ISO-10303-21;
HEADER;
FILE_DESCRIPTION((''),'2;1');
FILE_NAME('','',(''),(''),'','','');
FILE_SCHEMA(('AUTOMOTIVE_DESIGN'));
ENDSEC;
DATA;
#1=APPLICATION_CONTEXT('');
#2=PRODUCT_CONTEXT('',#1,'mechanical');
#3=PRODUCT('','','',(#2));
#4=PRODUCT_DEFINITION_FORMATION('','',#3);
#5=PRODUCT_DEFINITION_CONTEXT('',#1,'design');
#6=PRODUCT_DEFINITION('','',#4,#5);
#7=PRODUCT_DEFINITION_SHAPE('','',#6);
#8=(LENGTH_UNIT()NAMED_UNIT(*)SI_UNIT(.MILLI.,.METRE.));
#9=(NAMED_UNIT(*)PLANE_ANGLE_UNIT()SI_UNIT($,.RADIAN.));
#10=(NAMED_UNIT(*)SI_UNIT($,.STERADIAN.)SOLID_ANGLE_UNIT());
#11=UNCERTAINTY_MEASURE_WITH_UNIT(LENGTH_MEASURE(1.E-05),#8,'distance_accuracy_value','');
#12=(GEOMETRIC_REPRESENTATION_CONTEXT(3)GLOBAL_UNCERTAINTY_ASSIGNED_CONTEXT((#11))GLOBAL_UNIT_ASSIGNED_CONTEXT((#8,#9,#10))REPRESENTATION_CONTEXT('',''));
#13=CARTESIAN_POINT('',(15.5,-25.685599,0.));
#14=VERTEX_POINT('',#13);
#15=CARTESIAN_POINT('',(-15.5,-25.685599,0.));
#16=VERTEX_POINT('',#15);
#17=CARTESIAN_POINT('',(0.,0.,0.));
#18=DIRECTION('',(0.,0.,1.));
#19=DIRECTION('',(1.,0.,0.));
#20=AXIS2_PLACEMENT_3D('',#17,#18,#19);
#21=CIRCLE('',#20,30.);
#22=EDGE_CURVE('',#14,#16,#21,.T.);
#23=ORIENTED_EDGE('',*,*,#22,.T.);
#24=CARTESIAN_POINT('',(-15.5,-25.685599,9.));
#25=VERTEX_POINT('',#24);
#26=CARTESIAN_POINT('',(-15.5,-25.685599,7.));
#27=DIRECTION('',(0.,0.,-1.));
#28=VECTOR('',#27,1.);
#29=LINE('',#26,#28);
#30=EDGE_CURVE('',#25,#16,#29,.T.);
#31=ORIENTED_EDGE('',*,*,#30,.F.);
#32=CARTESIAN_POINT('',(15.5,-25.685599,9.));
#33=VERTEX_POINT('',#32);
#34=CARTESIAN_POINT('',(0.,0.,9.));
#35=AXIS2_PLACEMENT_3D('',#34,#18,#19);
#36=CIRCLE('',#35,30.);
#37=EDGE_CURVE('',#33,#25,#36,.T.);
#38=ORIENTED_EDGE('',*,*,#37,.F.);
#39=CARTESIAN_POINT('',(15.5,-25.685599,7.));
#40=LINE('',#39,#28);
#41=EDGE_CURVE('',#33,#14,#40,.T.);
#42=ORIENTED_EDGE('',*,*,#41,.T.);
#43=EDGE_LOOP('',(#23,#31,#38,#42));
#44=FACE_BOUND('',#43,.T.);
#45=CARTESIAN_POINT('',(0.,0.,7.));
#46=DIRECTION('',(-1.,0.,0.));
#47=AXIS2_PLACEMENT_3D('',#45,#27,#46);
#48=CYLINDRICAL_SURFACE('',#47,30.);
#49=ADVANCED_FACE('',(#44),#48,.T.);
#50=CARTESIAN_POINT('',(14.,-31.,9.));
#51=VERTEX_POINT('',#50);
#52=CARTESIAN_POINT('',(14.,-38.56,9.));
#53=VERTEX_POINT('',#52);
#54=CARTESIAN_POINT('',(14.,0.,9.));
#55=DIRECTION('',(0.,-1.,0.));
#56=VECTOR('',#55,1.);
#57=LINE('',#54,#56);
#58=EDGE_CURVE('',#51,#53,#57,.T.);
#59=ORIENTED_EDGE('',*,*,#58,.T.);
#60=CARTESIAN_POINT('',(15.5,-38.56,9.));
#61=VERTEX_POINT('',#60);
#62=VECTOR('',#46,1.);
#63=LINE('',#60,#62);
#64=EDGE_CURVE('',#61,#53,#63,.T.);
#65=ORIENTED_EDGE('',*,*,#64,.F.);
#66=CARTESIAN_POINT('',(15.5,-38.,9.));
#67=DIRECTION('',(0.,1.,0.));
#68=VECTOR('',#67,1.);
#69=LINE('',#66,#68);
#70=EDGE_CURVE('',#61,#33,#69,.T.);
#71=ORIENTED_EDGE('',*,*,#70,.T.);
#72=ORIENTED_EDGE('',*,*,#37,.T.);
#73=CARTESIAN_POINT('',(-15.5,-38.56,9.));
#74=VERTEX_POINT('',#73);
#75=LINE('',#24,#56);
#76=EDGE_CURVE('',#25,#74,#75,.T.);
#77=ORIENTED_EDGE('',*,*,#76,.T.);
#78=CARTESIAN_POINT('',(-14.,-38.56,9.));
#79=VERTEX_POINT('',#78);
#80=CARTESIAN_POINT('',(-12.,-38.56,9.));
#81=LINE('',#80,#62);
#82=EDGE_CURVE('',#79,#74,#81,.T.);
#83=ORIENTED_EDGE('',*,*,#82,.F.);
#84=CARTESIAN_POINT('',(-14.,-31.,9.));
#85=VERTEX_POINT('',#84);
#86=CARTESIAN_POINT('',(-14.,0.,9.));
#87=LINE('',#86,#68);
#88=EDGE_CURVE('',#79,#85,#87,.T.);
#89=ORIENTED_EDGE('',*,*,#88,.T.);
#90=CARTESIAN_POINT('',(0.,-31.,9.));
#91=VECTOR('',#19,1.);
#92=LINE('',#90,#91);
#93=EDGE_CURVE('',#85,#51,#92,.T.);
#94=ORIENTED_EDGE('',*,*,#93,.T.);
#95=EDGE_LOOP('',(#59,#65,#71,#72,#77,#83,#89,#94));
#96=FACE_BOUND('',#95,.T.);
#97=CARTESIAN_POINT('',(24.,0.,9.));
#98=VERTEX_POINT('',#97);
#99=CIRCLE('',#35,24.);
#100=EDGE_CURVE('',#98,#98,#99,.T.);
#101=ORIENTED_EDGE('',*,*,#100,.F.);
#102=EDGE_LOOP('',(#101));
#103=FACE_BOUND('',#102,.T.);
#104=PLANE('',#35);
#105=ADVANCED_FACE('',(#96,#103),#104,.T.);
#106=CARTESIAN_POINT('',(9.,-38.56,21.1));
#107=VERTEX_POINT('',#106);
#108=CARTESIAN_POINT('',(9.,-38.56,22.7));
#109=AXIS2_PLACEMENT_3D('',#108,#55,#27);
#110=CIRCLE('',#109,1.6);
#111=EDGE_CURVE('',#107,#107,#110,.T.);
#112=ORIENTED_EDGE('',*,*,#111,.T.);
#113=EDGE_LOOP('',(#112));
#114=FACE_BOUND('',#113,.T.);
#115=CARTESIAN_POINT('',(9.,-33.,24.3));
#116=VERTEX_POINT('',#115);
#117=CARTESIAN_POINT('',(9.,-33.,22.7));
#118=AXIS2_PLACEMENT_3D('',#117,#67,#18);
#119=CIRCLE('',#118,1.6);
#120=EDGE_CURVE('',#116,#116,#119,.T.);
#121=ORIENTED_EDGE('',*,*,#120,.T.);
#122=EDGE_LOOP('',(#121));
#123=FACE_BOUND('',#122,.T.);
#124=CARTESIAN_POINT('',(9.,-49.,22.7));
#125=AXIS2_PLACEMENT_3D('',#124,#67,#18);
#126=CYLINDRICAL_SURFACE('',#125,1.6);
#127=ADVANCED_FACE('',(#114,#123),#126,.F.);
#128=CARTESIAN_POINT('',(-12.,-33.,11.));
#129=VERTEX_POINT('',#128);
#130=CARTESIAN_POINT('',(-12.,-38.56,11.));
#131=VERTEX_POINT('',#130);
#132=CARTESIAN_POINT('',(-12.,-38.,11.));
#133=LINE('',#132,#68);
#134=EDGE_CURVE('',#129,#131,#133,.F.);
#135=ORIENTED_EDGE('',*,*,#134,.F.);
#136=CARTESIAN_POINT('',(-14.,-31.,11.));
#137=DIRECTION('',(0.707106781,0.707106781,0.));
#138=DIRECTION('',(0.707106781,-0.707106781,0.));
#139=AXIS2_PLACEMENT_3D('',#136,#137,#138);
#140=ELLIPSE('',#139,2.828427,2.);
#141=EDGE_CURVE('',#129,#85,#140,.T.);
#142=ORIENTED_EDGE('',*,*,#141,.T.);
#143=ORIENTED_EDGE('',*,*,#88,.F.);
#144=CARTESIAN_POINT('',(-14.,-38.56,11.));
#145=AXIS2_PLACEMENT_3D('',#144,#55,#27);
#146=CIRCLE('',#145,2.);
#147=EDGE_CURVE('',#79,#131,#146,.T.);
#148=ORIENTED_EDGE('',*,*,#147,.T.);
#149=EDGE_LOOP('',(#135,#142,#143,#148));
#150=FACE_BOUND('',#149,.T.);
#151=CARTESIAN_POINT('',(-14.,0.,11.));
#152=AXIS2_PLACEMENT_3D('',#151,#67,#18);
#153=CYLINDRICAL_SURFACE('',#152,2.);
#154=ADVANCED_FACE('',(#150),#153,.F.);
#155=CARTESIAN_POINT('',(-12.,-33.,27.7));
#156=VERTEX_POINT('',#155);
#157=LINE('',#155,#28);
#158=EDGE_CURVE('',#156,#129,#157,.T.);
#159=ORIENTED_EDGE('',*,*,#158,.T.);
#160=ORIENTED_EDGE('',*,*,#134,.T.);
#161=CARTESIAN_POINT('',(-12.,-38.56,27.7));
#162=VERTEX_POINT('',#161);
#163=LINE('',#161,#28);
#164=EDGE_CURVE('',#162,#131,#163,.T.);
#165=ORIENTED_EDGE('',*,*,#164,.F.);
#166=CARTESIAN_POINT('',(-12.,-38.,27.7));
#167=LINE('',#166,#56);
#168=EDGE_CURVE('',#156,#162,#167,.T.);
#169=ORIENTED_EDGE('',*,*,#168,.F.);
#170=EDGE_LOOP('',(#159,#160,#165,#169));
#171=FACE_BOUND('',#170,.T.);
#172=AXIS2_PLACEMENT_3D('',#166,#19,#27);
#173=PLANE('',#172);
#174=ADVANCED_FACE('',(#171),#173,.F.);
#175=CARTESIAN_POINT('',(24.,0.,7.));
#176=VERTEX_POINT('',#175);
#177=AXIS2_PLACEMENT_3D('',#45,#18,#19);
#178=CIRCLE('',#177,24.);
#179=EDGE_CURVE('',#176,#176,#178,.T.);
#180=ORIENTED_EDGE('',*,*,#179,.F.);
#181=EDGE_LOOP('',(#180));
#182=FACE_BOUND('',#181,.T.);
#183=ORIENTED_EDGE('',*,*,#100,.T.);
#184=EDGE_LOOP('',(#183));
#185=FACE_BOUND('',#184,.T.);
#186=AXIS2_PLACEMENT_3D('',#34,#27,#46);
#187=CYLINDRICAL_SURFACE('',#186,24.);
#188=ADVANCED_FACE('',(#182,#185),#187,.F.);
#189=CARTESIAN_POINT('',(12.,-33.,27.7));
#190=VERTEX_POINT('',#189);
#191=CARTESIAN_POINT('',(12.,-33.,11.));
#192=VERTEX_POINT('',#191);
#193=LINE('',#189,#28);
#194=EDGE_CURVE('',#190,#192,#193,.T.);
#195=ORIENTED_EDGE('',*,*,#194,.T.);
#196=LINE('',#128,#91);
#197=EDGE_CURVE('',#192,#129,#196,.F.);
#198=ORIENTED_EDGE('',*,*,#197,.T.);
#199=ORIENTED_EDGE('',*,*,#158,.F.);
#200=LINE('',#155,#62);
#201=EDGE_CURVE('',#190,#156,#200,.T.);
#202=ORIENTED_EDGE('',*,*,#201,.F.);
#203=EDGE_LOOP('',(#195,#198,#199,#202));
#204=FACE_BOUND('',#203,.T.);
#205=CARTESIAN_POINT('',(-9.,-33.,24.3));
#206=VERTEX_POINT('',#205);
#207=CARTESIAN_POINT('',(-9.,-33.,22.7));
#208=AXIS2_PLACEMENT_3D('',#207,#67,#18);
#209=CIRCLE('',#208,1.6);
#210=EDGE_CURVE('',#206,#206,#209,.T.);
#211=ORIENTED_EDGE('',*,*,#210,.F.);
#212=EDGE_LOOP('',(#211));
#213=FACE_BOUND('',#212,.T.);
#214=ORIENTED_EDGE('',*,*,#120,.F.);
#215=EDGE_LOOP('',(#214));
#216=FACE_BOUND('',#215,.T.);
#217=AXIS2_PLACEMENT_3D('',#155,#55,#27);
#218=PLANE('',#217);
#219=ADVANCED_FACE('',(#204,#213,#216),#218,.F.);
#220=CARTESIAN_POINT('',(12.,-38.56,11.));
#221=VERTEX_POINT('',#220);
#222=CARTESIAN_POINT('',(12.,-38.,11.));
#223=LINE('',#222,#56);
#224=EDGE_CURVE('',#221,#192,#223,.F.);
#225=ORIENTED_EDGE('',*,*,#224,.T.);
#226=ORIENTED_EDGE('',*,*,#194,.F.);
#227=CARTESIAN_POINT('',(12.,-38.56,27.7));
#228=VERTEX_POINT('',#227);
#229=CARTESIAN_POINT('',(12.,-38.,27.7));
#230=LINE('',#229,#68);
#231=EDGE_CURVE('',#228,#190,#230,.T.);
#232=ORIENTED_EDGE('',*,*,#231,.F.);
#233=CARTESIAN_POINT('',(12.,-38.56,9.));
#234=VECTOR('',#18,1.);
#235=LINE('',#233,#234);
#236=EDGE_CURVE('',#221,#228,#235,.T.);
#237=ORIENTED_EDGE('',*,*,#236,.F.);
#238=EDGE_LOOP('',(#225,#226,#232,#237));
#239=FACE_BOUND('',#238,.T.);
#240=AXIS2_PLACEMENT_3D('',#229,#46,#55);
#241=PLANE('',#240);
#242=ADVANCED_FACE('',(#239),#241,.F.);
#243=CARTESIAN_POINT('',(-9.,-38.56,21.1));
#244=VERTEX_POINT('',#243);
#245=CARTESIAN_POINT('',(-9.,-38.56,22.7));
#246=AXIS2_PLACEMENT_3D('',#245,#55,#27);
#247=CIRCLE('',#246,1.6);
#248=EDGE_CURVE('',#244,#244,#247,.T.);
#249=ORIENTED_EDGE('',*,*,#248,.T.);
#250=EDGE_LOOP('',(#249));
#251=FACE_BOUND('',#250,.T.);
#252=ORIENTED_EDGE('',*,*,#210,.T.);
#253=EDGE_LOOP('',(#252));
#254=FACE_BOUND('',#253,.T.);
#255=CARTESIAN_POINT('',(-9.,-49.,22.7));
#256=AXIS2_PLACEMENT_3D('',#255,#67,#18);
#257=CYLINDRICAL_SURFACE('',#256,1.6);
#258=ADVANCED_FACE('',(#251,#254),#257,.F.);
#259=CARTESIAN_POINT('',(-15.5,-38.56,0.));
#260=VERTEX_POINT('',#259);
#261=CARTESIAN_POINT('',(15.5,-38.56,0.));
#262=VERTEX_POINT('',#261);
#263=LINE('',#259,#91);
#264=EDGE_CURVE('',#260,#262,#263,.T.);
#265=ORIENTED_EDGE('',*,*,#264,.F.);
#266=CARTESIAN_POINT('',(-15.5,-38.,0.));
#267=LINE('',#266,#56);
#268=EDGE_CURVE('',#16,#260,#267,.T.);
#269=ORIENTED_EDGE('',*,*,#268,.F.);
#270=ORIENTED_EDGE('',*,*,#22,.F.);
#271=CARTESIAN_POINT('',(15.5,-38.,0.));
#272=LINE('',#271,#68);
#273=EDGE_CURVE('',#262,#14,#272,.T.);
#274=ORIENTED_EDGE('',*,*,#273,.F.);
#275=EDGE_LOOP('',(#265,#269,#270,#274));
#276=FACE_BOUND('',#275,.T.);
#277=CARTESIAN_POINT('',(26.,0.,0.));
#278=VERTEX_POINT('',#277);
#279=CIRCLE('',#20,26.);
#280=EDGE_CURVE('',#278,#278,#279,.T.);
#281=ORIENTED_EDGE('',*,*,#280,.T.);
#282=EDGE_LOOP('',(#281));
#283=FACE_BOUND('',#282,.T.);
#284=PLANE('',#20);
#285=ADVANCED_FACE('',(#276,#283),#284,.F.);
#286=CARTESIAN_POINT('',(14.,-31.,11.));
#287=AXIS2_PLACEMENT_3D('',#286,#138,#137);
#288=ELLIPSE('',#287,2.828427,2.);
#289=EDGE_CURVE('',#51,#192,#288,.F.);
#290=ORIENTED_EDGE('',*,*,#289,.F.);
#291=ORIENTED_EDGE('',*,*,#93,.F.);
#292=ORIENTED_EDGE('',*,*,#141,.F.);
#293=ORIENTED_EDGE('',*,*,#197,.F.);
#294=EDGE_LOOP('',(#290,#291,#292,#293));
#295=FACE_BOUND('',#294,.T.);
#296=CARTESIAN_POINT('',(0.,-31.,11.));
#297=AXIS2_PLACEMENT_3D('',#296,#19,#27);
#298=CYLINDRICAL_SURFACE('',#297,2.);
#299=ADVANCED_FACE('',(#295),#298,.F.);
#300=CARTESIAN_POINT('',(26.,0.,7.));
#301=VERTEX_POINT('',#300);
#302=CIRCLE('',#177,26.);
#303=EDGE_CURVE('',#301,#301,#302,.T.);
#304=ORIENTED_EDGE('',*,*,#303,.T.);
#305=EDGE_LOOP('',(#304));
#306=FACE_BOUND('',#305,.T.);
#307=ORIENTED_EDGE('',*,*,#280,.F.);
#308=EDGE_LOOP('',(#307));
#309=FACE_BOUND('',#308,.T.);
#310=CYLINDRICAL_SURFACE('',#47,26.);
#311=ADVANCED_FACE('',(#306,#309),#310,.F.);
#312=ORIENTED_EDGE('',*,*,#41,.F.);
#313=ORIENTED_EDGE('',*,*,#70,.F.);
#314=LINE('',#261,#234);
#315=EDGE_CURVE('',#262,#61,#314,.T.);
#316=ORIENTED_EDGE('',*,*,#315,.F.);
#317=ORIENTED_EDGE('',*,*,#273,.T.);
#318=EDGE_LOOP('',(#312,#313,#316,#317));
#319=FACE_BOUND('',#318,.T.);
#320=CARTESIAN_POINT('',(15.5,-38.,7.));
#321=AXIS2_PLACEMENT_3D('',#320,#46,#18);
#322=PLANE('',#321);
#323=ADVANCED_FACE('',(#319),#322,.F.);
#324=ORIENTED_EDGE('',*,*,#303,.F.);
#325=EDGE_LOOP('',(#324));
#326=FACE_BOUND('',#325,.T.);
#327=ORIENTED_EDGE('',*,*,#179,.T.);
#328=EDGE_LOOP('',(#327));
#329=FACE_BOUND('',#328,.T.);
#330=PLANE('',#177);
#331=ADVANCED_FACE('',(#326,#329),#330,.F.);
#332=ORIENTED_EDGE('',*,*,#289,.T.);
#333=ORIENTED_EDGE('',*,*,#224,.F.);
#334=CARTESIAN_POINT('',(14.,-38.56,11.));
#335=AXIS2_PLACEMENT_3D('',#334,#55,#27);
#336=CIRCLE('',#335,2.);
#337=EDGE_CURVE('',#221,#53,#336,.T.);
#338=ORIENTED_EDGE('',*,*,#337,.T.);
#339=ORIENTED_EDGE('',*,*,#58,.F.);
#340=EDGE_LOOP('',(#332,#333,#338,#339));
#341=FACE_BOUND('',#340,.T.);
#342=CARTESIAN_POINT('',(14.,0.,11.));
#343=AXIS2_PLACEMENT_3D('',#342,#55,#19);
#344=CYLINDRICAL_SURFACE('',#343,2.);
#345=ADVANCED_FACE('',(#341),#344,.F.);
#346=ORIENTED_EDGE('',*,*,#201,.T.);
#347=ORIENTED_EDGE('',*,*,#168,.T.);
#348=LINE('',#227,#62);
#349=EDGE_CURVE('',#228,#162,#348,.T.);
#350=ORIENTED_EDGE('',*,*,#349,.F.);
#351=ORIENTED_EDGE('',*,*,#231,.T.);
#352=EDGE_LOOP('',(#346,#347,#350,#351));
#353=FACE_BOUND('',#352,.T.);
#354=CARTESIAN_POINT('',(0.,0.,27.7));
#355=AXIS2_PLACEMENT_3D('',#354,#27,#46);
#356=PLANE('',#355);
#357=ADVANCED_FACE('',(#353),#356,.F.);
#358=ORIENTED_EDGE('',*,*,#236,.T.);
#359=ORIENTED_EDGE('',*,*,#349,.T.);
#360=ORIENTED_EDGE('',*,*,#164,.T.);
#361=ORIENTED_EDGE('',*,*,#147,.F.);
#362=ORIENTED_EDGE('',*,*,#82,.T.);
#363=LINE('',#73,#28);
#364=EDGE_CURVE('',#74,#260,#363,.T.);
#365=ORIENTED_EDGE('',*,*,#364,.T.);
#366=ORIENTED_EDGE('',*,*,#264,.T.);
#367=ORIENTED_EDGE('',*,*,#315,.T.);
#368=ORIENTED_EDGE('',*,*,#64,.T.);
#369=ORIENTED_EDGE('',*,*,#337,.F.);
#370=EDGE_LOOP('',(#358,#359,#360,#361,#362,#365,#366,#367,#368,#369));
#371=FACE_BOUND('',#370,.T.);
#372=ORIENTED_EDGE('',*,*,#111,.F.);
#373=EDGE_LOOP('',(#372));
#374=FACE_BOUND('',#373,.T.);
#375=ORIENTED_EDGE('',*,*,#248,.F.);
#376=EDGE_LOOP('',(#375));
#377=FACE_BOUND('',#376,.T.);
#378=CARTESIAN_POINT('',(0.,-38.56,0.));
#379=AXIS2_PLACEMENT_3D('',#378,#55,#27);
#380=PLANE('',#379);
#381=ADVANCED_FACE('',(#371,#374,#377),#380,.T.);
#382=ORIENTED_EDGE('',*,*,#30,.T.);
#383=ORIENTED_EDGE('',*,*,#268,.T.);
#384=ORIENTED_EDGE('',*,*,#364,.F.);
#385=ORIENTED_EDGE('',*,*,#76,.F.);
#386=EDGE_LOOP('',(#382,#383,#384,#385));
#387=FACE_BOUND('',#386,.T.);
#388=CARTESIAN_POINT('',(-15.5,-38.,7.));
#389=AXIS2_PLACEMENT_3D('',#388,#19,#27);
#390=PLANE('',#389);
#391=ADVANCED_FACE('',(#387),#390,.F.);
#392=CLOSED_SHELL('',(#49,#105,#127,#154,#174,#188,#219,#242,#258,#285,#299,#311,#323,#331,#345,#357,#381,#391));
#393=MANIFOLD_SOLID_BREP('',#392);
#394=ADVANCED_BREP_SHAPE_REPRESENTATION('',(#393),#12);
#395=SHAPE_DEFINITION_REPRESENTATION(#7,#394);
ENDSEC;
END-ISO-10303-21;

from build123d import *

# Parameters (mm, degrees)
SKETCH_1_R          = 26
EXTRUDE_1_DEPTH     = 7
SKETCH_4_R          = 30
SKETCH_4_R_2        = 24
EXTRUDE_4_DEPTH     = 2
SKETCH_5_W          = 24
SKETCH_5_H          = 5
EXTRUDE_5_DEPTH     = 20.7
EXTRUDE_6_DEPTH     = 2
EXTRUDE_7_DEPTH     = 0.56
SKETCH_7_R          = 1.6
CUT_EXTRUDE_1_DEPTH = 16
FILLET_1_R          = 2
FILLET_2_R          = 2
FILLET_3_R          = 2


with BuildPart() as part:
    # 草图1 → 凸台-拉伸1 (new body)
    with BuildSketch(Plane.XY):
        with BuildLine():
            Line((-15.5, -38), (15.5, -38))
            Line((15.5, -38), (15.5, -25.685599078))
            ThreePointArc((15.5, -25.685599078), (0, 30), (-15.5, -25.685599078))
            Line((-15.5, -25.685599078), (-15.5, -38))
        make_face()
        Circle(SKETCH_1_R, mode=Mode.SUBTRACT)
    extrude(amount=EXTRUDE_1_DEPTH)

    # 草图4 → 凸台-拉伸4 (add)
    with BuildSketch(Plane.XY.offset(7)):
        Circle(SKETCH_4_R)
        Circle(SKETCH_4_R_2, mode=Mode.SUBTRACT)
    extrude(amount=EXTRUDE_4_DEPTH)

    # 草图5 → 凸台-拉伸5 (add)
    with BuildSketch(Plane.XY.offset(7)):
        with Locations((0, -35.5)):
            Rectangle(SKETCH_5_W, SKETCH_5_H)
    extrude(amount=EXTRUDE_5_DEPTH)

    # 草图6 → 凸台-拉伸6 (add)
    with BuildSketch(Plane.XY.offset(7)):
        with BuildLine():
            Line((-15.5, -25.685599078), (-15.5, -38))
            Line((-15.5, -38), (-12, -38))
            Line((-12, -38), (-12, -33))
            Line((-12, -33), (12, -33))
            Line((12, -33), (12, -38))
            Line((12, -38), (15.5, -38))
            Line((15.5, -38), (15.5, -25.685599078))
            ThreePointArc((15.5, -25.685599078), (0, -30), (-15.5, -25.685599078))
        make_face()
    extrude(amount=EXTRUDE_6_DEPTH)

    # 草图9 → 凸台-拉伸7 (add)
    with BuildSketch(Plane.XZ.offset(38)):
        Polygon((15.5, 0), (15.5, 9), (12, 9), (12, 27.7), (-12, 27.7), (-12, 9), (-15.5, 9), (-15.5, 0), align=None)
    extrude(amount=EXTRUDE_7_DEPTH)

    # 草图7 → 切除-拉伸1 (cut)
    with BuildSketch(Plane(origin=(0, -33, 0), x_dir=(1, 0, 0), z_dir=(0, 1, 0))):
        with Locations((9, -22.7)):
            Circle(SKETCH_7_R)
        with Locations((-9, -22.7)):
            Circle(SKETCH_7_R)
    extrude(amount=-CUT_EXTRUDE_1_DEPTH, mode=Mode.SUBTRACT)

    # 圆角1
    fillet_1_edges = [part.edges().sort_by_distance(p)[0] for p in [
        (0, -33, 9),
    ]]
    fillet(fillet_1_edges, radius=FILLET_1_R)

    # 圆角2
    fillet_2_edges = [part.edges().sort_by_distance(p)[0] for p in [
        (12, -35.78, 9),
    ]]
    fillet(fillet_2_edges, radius=FILLET_2_R)

    # 圆角3
    fillet_3_edges = [part.edges().sort_by_distance(p)[0] for p in [
        (-12, -35.78, 9),
    ]]
    fillet(fillet_3_edges, radius=FILLET_3_R)


solid = part.part
